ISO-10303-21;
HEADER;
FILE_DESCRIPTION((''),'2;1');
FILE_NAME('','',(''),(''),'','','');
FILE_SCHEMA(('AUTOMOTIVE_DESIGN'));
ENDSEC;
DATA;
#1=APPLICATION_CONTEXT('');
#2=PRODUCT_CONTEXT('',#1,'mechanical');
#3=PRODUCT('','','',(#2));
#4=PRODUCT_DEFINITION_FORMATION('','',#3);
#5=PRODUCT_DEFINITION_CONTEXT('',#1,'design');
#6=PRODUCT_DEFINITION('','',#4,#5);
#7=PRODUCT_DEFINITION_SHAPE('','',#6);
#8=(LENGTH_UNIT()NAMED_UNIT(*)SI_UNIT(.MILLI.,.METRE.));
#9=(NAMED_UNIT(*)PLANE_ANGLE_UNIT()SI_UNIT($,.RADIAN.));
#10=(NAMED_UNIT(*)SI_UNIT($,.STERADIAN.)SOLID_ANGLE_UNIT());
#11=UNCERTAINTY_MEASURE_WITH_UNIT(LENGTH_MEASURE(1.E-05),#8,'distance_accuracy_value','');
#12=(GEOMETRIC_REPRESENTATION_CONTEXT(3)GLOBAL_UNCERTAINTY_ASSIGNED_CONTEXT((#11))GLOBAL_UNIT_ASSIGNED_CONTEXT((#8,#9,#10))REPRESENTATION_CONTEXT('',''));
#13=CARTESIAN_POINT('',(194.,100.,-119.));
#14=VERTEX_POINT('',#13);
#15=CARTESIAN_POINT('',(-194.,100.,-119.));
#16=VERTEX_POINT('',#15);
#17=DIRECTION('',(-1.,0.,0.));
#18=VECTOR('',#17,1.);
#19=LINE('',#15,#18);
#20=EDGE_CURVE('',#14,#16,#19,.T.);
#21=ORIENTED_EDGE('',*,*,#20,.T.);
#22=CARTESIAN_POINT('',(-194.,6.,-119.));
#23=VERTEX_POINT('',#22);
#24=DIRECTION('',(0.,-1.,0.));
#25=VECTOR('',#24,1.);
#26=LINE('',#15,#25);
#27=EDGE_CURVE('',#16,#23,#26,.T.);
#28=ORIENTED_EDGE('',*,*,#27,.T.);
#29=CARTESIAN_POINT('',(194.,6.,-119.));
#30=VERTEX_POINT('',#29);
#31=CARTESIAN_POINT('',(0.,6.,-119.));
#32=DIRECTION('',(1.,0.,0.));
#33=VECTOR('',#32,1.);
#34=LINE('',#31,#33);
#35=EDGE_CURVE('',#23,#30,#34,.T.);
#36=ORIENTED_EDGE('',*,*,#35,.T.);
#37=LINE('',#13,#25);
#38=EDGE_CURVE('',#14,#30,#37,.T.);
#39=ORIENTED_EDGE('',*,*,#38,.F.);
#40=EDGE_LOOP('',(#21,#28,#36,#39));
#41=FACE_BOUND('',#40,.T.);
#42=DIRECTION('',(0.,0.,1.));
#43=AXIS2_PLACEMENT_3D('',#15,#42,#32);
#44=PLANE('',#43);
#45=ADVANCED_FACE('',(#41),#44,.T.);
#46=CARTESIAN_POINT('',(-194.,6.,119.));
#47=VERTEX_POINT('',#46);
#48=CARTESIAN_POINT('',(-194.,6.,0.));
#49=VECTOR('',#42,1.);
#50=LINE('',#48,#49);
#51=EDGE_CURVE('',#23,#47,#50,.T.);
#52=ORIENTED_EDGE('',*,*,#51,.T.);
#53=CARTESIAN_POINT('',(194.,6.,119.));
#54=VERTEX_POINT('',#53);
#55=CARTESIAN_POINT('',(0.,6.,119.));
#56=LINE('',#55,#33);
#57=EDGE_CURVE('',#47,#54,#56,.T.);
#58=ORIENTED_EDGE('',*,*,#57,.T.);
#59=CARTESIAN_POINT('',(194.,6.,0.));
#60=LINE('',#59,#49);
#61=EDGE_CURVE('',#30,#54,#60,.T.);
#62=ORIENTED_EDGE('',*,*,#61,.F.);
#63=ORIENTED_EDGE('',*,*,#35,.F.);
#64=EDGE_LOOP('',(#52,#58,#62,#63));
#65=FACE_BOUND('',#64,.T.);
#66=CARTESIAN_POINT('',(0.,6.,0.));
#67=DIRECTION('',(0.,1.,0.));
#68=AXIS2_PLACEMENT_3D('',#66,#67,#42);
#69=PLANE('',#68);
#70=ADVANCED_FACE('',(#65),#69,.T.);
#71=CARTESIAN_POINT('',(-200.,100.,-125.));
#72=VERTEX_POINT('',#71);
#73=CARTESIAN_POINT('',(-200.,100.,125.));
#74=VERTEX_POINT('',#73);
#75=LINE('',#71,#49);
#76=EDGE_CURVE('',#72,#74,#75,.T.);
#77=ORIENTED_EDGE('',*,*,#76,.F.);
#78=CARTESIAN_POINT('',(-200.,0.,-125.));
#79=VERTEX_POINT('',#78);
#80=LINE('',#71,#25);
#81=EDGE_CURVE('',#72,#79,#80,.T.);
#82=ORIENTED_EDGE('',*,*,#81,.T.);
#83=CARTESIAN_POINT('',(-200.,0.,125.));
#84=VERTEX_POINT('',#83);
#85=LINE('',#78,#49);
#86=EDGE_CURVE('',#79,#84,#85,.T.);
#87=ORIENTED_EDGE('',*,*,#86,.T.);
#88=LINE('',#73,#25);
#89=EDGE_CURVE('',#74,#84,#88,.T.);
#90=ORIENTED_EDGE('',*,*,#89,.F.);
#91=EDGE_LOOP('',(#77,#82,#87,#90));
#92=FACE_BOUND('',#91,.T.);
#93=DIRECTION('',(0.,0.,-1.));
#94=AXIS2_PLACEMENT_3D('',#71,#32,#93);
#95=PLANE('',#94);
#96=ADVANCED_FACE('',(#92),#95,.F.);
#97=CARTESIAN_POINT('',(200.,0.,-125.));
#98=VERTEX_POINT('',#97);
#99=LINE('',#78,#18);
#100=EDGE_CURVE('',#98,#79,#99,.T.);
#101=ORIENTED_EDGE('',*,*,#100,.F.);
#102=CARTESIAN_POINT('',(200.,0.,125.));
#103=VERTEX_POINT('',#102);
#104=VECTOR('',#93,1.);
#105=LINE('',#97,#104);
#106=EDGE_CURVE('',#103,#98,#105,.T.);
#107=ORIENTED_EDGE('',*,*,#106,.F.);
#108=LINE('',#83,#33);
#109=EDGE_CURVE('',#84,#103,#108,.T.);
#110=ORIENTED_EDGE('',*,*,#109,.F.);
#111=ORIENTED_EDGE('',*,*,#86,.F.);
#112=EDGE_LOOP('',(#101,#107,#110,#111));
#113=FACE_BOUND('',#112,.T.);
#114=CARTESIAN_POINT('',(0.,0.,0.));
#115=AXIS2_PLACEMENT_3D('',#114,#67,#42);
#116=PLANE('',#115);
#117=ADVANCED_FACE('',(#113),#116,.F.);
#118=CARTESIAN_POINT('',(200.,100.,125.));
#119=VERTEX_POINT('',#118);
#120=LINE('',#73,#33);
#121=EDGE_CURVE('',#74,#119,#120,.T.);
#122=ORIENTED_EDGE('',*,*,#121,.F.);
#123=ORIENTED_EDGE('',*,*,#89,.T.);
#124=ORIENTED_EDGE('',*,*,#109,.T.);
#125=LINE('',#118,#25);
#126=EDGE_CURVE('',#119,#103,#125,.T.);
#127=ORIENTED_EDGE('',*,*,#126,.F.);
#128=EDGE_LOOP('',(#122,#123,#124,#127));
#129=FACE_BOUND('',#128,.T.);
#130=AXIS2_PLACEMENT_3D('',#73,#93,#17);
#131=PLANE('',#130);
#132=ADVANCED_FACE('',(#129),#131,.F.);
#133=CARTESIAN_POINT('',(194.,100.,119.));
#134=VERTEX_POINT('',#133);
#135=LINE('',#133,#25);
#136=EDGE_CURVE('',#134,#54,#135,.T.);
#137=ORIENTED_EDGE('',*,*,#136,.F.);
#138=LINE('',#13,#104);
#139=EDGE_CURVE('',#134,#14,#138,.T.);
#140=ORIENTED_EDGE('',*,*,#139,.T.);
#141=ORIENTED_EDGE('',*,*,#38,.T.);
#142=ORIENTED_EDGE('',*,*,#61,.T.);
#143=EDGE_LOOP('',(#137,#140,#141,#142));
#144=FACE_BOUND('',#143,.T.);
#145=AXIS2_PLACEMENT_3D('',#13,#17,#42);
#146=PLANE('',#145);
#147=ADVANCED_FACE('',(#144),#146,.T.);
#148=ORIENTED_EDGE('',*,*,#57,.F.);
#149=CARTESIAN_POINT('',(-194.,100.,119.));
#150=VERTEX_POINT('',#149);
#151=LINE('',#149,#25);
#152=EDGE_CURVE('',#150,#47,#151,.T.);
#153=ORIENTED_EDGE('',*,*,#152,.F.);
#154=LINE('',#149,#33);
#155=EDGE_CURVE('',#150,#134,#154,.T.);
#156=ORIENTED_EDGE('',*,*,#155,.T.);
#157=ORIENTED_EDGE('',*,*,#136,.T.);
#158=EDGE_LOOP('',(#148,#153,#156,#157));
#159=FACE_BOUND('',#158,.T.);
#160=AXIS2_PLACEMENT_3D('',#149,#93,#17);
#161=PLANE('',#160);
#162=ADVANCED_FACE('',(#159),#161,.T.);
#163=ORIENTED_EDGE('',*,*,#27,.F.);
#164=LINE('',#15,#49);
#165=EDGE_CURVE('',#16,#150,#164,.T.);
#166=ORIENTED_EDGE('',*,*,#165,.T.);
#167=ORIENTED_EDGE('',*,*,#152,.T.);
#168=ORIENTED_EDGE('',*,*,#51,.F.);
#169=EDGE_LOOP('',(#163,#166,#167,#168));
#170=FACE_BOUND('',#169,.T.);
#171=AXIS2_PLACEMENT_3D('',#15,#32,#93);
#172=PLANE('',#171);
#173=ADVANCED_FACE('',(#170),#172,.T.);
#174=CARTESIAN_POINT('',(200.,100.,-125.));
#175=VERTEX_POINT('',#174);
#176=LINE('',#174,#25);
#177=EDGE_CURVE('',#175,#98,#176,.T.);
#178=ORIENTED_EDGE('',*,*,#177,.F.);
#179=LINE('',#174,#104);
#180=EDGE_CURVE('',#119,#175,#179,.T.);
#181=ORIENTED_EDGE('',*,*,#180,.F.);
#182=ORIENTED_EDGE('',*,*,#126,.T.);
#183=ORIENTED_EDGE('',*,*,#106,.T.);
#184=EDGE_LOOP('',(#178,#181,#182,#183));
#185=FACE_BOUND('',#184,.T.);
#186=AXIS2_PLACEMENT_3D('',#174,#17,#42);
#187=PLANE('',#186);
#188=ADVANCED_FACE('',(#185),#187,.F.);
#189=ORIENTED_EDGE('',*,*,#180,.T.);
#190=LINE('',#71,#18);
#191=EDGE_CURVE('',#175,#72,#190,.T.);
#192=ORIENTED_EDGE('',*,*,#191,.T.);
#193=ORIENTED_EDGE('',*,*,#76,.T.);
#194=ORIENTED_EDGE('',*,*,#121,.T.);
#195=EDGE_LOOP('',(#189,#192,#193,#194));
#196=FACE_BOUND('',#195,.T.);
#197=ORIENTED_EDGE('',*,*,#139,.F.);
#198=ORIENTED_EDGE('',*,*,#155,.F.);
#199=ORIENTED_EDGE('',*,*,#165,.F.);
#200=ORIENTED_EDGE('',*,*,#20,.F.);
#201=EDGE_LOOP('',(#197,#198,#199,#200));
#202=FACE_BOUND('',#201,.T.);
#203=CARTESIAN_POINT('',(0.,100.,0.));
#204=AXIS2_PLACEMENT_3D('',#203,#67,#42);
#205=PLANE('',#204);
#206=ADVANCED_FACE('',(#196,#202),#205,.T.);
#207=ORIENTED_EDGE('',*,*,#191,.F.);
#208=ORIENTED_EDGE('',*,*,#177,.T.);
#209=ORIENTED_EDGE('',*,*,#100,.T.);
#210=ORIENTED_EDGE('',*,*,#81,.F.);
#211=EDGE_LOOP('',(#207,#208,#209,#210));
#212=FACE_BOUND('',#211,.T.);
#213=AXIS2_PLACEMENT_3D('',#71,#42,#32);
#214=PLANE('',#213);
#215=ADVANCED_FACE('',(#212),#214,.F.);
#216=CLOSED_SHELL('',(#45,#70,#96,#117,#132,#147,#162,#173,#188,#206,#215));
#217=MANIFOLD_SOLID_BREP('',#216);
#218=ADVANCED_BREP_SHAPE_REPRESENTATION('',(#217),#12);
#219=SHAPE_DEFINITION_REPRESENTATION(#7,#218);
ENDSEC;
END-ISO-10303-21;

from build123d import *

# Parameters (mm, degrees)
SKETCH1_W           = 388
SKETCH1_H           = 238
BOSS_EXTRUDE1_DEPTH = 6
SKETCH1_3_W         = 400
SKETCH1_3_H         = 250
SKETCH1_3_W_2       = 388
SKETCH1_3_H_2       = 238
BOSS_EXTRUDE2_DEPTH = 100


with BuildPart() as part:
    # Sketch1 → Boss-Extrude1 (new body)
    with BuildSketch(Plane(origin=(0, 0, 0), x_dir=(1, 0, 0), z_dir=(0, 1, 0))):
        Rectangle(SKETCH1_W, SKETCH1_H)
    extrude(amount=BOSS_EXTRUDE1_DEPTH)

    # Sketch1<3> → Boss-Extrude2 (add)
    with BuildSketch(Plane(origin=(0, 0, 0), x_dir=(1, 0, 0), z_dir=(0, 1, 0))):
        Rectangle(SKETCH1_3_W, SKETCH1_3_H)
        Rectangle(SKETCH1_3_W_2, SKETCH1_3_H_2, mode=Mode.SUBTRACT)
    extrude(amount=BOSS_EXTRUDE2_DEPTH)


solid = part.part
